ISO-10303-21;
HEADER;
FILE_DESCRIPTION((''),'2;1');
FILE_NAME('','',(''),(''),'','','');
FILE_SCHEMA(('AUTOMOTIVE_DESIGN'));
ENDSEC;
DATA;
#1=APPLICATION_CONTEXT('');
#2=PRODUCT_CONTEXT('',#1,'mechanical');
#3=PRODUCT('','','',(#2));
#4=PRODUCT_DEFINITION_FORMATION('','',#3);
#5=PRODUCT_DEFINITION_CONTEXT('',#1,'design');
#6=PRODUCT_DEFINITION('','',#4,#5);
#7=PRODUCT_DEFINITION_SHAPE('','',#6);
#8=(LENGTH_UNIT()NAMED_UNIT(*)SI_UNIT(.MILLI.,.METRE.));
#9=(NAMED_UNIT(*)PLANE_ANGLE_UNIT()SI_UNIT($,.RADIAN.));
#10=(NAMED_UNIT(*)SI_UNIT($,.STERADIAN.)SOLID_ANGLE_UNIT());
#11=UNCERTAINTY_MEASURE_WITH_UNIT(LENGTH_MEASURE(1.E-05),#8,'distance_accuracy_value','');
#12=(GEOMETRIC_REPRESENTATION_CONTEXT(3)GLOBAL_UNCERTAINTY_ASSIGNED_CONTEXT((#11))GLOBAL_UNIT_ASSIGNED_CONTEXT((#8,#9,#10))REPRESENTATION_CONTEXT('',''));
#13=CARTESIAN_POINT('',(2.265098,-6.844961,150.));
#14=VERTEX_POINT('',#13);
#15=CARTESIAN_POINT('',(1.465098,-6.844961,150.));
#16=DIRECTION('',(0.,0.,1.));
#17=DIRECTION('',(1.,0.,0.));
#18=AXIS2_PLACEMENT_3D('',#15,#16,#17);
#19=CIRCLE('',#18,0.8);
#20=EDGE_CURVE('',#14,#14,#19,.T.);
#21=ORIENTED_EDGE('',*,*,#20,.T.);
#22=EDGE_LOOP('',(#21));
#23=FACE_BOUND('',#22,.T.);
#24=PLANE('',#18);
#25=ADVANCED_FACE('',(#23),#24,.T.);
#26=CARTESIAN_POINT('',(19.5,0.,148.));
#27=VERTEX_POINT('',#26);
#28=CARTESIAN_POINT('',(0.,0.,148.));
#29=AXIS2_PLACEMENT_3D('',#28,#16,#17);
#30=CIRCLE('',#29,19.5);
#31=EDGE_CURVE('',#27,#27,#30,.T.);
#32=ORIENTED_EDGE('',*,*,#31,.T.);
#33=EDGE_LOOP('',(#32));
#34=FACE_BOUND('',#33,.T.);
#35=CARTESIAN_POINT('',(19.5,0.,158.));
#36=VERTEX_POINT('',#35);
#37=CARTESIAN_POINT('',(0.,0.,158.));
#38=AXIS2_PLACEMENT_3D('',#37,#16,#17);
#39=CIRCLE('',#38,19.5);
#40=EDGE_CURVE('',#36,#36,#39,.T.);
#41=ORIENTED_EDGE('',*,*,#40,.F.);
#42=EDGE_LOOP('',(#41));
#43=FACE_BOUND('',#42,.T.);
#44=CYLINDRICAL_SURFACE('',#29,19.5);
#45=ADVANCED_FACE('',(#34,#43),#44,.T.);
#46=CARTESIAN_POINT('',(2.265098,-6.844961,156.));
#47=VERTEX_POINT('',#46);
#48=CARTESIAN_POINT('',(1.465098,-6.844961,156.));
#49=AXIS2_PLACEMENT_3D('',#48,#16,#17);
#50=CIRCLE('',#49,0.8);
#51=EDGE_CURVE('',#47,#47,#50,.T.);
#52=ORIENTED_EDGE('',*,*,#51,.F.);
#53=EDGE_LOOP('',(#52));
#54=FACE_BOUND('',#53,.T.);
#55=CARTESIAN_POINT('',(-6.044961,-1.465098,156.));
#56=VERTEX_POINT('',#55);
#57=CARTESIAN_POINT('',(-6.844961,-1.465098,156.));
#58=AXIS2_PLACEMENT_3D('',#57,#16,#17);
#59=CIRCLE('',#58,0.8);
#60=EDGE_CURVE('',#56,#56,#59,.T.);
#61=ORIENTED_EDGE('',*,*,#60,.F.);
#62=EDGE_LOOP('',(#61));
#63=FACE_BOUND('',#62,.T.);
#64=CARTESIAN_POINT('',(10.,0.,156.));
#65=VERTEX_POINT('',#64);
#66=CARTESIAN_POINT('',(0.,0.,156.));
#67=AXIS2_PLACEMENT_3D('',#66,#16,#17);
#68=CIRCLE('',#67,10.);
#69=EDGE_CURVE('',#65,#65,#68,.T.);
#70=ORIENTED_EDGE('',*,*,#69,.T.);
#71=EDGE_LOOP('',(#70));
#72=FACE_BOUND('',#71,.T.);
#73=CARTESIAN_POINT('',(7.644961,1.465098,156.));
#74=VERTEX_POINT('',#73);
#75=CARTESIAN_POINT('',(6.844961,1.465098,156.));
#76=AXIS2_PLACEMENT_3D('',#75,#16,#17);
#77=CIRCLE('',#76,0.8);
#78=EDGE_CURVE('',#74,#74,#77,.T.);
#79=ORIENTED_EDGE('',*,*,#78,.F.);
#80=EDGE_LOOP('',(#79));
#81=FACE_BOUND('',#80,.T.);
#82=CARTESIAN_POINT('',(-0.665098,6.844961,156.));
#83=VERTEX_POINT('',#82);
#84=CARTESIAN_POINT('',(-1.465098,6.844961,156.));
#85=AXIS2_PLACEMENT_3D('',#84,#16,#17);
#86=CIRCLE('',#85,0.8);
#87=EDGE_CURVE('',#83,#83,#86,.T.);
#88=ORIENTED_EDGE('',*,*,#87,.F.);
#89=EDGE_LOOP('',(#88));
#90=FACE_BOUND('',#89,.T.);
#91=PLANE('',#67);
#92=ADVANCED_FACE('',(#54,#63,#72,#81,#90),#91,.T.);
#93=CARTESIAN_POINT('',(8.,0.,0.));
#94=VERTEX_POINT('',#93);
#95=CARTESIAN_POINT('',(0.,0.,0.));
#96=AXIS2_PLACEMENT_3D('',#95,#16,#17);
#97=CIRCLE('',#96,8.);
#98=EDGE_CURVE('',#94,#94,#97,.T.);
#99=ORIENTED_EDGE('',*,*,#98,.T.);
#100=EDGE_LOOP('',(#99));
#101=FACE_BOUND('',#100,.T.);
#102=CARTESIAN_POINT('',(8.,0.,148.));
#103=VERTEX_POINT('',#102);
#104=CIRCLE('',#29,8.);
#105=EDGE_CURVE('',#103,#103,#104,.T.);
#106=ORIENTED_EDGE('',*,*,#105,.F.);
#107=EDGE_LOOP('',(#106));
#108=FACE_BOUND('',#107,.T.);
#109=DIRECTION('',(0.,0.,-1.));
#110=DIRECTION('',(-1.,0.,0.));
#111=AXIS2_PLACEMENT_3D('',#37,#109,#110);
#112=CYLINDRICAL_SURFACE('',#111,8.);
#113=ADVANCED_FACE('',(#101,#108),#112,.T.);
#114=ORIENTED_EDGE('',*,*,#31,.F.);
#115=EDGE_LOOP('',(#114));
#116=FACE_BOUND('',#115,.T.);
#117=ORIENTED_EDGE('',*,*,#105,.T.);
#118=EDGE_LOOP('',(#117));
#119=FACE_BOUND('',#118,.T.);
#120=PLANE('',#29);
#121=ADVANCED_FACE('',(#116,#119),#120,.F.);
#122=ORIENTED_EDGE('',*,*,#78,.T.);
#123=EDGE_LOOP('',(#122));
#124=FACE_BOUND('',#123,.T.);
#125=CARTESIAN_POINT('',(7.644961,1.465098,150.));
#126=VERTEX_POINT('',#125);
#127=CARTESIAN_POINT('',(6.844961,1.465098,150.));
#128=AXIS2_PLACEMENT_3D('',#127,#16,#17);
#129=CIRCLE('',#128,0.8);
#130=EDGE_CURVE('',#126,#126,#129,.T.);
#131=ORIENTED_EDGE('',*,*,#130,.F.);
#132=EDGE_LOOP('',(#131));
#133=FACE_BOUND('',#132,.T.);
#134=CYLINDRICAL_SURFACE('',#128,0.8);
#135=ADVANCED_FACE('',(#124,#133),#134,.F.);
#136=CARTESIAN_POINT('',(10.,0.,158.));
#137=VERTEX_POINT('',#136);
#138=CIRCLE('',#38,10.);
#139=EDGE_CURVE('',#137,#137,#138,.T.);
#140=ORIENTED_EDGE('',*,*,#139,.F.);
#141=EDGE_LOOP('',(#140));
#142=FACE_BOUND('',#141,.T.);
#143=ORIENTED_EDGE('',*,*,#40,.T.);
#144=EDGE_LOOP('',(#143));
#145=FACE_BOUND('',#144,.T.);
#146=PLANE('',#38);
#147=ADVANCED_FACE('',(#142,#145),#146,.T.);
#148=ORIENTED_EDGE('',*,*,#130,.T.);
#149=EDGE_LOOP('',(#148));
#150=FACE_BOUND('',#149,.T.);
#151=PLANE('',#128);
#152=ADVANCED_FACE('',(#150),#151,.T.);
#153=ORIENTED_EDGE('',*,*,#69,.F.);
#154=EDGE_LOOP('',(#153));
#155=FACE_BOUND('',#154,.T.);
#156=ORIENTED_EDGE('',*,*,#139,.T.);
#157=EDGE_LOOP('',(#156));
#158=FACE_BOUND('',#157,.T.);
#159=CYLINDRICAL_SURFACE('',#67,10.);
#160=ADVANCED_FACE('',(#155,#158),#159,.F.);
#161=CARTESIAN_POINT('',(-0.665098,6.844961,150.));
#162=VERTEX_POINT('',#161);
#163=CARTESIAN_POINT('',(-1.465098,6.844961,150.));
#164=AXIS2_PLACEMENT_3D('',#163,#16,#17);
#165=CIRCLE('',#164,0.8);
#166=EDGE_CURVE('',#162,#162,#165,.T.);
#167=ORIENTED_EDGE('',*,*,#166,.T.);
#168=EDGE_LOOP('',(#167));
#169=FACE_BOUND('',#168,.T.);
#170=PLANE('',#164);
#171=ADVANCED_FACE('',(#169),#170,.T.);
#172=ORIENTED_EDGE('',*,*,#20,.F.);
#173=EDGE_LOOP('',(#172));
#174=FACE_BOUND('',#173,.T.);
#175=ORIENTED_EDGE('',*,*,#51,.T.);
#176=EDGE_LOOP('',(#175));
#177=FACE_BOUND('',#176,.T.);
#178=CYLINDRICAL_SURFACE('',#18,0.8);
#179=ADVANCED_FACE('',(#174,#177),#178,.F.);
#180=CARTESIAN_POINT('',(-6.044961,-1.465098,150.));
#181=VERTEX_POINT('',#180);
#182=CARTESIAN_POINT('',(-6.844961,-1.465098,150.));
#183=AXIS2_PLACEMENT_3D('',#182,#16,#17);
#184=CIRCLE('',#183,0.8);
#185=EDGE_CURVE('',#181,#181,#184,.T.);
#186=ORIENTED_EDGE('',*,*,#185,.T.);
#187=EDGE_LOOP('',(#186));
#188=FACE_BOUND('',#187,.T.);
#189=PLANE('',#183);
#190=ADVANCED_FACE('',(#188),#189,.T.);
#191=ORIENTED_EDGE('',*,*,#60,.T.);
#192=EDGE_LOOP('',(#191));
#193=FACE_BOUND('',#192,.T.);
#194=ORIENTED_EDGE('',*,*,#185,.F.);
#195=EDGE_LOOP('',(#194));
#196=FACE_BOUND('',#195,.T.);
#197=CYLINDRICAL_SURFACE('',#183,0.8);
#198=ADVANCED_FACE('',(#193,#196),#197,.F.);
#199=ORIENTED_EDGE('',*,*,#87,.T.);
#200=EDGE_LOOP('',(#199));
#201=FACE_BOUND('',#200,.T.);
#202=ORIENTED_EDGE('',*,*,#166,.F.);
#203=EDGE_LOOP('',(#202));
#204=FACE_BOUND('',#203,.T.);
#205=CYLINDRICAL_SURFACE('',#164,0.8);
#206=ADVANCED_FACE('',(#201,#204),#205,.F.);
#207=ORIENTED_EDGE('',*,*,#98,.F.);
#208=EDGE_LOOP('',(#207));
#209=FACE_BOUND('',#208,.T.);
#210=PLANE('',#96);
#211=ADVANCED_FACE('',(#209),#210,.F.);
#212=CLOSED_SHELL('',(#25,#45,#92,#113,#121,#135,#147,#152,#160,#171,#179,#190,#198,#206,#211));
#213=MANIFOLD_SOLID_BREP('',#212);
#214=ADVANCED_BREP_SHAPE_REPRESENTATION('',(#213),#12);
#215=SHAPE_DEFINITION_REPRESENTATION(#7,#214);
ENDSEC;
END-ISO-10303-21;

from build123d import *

# Parameters (mm, degrees)
SKETCH1_R           = 8
BOSS_EXTRUDE1_DEPTH = 158
SKETCH2_R           = 19.5
BOSS_EXTRUDE2_DEPTH = 10
SKETCH3_R           = 10
SKETCH3_R_2         = 0.8
CUT_EXTRUDE1_DEPTH  = 2
SKETCH3_2_R         = 0.8
CUT_EXTRUDE2_DEPTH  = 8


with BuildPart() as part:
    # Sketch1 → Boss-Extrude1 (new body)
    with BuildSketch(Plane.XY):
        Circle(SKETCH1_R)
    extrude(amount=BOSS_EXTRUDE1_DEPTH)

    # Sketch2 → Boss-Extrude2 (add)
    with BuildSketch(Plane.XY.offset(158)):
        Circle(SKETCH2_R)
    extrude(amount=-BOSS_EXTRUDE2_DEPTH)

    # Sketch3 → Cut-Extrude1 (cut)
    with BuildSketch(Plane.XY.offset(158)):
        Circle(SKETCH3_R)
        with Locations((6.84496079, 1.465097875)):
            Circle(SKETCH3_R_2, mode=Mode.SUBTRACT)
        with Locations((-1.465097875, 6.84496079)):
            Circle(SKETCH3_R_2, mode=Mode.SUBTRACT)
        with Locations((-6.84496079, -1.465097875)):
            Circle(SKETCH3_R_2, mode=Mode.SUBTRACT)
        with Locations((1.465097875, -6.84496079)):
            Circle(SKETCH3_R_2, mode=Mode.SUBTRACT)
    extrude(amount=-CUT_EXTRUDE1_DEPTH, mode=Mode.SUBTRACT)

    # Sketch3<2> → Cut-Extrude2 (cut)
    with BuildSketch(Plane.XY.offset(158)):
        with Locations((6.84496079, 1.465097875)):
            Circle(SKETCH3_2_R)
        with Locations((-1.465097875, 6.84496079)):
            Circle(SKETCH3_2_R)
        with Locations((-6.84496079, -1.465097875)):
            Circle(SKETCH3_2_R)
        with Locations((1.465097875, -6.84496079)):
            Circle(SKETCH3_2_R)
    extrude(amount=-CUT_EXTRUDE2_DEPTH, mode=Mode.SUBTRACT)


solid = part.part
